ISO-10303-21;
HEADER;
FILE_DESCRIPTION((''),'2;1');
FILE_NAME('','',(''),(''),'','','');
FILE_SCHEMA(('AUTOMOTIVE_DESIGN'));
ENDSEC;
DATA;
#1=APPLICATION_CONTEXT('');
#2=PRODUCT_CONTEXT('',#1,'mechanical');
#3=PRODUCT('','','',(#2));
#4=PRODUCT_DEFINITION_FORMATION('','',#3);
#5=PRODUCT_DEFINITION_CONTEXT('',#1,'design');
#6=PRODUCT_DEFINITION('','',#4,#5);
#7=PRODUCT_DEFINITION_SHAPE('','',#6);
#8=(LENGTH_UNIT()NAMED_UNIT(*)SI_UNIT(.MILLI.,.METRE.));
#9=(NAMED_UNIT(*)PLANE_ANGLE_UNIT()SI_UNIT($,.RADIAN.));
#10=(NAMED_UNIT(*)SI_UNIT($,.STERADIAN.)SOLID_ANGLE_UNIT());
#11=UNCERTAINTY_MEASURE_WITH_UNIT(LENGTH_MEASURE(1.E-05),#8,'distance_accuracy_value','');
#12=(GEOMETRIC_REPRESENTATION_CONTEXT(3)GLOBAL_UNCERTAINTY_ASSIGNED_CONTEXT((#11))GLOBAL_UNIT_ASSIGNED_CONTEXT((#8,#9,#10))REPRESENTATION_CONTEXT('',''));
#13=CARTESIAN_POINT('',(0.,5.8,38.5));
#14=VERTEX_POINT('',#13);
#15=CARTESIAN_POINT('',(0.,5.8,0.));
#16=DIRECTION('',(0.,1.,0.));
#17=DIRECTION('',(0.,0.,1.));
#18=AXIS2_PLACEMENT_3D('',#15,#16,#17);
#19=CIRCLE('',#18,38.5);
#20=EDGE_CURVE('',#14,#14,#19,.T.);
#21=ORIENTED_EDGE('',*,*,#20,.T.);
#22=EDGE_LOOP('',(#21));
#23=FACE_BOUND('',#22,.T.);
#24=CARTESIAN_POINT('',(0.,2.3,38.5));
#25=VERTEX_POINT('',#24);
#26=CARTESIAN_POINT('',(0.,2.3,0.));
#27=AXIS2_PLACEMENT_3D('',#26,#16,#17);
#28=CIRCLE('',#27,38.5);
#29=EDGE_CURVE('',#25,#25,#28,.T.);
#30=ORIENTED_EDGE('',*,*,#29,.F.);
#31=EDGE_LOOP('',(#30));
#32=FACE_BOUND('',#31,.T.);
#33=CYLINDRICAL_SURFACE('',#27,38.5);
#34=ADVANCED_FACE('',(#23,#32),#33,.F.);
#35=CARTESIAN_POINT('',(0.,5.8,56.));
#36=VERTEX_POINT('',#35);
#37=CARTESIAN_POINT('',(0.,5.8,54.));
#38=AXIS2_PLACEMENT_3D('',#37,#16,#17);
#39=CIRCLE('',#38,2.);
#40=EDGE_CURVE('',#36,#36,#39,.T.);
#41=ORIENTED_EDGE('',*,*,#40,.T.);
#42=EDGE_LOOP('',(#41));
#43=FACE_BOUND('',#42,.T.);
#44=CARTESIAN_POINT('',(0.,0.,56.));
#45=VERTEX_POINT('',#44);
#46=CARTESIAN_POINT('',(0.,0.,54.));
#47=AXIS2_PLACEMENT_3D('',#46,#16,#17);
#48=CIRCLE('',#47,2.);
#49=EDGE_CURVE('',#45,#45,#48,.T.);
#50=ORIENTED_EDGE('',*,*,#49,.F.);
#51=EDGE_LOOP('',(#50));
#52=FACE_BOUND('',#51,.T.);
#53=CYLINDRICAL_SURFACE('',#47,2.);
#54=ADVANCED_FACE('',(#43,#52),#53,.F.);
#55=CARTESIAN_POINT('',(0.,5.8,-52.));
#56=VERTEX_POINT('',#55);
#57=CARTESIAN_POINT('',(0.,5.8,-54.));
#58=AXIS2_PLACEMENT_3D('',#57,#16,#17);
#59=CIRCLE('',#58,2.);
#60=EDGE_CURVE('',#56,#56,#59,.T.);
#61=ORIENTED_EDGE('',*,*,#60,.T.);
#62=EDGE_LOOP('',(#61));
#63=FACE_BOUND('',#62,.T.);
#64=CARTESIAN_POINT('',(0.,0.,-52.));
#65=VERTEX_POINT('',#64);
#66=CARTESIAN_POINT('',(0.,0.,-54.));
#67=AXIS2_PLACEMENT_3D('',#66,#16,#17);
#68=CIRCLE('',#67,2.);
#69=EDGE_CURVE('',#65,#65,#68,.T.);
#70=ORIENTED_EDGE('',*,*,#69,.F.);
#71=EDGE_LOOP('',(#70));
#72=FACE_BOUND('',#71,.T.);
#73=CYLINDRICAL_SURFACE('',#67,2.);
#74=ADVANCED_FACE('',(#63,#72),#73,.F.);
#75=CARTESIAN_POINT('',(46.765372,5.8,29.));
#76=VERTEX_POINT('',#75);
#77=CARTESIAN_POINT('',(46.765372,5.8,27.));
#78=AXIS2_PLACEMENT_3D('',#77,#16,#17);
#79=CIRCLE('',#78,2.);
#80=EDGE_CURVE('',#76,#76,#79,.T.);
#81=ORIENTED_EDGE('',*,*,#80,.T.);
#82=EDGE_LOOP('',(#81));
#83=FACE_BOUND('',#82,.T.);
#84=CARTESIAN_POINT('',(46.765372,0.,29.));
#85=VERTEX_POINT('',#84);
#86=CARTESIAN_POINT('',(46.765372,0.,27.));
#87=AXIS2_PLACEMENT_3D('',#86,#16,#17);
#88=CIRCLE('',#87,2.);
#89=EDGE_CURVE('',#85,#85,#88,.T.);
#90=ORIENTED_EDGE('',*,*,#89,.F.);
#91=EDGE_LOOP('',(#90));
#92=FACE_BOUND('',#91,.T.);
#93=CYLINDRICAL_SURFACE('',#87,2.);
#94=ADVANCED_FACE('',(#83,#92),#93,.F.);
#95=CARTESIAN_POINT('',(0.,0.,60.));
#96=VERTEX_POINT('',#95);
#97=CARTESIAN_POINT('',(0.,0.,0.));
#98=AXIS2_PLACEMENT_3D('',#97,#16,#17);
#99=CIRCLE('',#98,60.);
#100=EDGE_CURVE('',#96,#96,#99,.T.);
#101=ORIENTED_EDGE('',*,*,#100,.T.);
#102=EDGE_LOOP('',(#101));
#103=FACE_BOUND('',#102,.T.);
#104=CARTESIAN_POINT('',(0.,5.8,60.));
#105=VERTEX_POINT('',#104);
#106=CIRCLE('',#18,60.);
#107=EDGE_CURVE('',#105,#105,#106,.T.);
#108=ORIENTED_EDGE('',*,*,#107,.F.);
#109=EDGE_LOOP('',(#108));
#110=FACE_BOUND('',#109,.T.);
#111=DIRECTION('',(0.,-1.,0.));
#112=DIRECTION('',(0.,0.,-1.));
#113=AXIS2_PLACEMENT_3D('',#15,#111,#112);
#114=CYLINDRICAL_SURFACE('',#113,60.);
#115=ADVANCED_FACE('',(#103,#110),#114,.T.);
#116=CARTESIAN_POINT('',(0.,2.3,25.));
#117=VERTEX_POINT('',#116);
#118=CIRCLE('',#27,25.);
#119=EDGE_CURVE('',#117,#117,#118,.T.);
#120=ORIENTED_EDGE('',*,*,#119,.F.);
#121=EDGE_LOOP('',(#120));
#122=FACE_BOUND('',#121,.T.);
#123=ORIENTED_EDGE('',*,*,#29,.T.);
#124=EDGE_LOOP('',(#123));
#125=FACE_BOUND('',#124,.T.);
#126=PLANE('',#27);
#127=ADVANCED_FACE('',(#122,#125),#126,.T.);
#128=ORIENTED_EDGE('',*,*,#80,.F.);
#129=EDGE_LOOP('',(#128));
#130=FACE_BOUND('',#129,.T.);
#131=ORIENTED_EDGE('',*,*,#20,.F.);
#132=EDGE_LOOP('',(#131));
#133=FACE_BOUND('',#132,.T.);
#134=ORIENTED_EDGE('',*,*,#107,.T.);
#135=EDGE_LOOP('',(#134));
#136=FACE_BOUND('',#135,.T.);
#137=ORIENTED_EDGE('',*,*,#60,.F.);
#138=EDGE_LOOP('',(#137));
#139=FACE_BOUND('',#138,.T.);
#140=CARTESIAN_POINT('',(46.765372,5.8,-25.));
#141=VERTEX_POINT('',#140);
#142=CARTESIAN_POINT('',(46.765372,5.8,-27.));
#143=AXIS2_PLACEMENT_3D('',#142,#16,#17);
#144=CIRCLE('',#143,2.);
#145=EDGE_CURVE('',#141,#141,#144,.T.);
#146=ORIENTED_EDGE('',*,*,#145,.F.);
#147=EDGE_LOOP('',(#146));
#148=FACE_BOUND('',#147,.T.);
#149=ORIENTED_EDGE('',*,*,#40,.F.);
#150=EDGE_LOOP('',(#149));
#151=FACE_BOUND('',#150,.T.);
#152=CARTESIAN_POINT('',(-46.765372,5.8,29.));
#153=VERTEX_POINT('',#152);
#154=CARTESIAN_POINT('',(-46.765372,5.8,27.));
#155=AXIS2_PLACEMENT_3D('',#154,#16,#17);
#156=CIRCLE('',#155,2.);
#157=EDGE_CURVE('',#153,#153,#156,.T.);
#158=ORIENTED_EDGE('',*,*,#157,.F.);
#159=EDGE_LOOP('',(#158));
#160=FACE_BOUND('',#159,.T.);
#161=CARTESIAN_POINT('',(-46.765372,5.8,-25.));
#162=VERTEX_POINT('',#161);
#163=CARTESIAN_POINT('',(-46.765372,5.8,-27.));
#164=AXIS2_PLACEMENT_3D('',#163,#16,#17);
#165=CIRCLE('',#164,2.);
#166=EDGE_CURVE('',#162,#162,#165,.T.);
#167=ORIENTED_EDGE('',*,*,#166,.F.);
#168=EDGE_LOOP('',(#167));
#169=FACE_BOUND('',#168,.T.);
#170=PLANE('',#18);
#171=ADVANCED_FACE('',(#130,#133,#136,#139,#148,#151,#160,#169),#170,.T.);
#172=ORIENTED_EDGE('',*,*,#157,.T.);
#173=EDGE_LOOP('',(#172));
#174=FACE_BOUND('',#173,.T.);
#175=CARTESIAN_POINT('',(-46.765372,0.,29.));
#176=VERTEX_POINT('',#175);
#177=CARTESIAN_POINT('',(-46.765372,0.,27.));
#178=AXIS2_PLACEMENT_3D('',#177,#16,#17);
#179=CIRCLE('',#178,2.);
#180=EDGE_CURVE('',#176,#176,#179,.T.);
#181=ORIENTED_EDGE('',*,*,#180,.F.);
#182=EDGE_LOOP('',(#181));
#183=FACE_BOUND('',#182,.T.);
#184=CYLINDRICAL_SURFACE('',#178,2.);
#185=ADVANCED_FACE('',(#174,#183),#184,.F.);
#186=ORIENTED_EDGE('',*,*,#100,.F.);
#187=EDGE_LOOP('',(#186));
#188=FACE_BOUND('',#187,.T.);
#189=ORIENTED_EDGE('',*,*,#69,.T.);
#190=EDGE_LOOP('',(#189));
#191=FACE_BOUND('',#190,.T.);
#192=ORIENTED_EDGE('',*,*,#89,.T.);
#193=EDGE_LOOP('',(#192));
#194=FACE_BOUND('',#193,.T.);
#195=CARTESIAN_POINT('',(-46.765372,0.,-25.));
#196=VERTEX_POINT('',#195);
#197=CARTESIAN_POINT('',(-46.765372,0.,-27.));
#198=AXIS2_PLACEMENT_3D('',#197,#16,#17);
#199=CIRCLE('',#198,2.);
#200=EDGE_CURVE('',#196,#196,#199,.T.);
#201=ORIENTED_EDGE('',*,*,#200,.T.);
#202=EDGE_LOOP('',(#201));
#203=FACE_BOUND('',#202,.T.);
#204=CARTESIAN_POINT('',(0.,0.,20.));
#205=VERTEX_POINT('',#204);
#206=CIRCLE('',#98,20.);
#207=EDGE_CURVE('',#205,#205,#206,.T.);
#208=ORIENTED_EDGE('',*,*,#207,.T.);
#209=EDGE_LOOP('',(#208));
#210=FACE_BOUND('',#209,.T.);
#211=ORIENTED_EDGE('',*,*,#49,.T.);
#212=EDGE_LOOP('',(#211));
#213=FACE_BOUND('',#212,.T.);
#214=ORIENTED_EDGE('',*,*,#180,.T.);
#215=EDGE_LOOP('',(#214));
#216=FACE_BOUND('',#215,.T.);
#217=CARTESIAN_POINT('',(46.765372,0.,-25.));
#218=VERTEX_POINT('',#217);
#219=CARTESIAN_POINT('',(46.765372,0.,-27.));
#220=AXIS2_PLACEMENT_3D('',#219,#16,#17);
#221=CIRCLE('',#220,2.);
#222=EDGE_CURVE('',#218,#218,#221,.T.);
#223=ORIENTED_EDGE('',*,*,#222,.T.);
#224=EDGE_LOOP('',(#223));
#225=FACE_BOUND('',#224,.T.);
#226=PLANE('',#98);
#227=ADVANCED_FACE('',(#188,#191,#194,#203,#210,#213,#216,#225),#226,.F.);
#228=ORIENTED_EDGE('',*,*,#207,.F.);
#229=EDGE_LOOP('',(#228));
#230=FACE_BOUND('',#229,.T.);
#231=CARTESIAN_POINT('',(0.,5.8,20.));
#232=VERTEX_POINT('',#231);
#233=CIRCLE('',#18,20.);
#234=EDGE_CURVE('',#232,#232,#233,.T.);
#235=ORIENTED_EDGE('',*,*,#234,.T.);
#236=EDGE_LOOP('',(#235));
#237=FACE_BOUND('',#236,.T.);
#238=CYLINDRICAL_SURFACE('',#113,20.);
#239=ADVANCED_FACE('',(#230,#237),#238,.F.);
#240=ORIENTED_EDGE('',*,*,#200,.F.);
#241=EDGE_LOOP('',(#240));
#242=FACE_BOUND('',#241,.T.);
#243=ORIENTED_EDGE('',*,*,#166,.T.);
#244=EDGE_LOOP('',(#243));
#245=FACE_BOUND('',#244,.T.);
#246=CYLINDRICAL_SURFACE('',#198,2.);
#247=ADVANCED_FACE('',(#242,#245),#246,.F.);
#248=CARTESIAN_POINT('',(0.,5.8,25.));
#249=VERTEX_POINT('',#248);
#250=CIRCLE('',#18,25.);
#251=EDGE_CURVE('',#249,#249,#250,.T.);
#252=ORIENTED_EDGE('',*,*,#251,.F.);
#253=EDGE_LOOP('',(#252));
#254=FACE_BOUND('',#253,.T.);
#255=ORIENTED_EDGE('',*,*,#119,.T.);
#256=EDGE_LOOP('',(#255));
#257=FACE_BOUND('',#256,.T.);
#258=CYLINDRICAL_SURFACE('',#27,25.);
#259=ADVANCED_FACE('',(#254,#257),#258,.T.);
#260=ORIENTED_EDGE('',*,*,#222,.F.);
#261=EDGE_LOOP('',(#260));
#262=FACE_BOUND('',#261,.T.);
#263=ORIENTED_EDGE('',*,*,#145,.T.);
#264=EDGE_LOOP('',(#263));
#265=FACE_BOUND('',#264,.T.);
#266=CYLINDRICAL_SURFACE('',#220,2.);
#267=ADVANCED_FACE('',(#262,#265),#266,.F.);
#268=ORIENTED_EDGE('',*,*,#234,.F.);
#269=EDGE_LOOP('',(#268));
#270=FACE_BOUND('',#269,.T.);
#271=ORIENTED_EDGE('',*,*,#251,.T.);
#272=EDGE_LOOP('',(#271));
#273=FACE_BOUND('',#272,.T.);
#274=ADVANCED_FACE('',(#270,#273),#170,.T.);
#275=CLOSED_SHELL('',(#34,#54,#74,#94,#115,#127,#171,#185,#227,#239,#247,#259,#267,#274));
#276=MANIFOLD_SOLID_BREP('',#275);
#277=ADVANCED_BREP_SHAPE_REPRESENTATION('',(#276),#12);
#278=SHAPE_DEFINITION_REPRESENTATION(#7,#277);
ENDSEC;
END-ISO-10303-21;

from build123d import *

# Parameters (mm, degrees)
SKETCH1_R           = 60
SKETCH1_R_2         = 20
BOSS_EXTRUDE1_DEPTH = 5.8
SKETCH2_R           = 38.5
SKETCH2_R_2         = 25
CUT_EXTRUDE1_DEPTH  = 3.5
SKETCH3_R           = 2
CUT_EXTRUDE2_DEPTH  = 86.050808344


with BuildPart() as part:
    # Sketch1 → Boss-Extrude1 (new body)
    with BuildSketch(Plane(origin=(0, 0, 0), x_dir=(1, 0, 0), z_dir=(0, 1, 0))):
        with Locations(Location((0, 0, 0), (0, 0, 270))):
            Circle(SKETCH1_R)
        with Locations(Location((0, 0, 0), (0, 0, 270))):
            Circle(SKETCH1_R_2, mode=Mode.SUBTRACT)
    extrude(amount=BOSS_EXTRUDE1_DEPTH)

    # Sketch2 → Cut-Extrude1 (cut)
    with BuildSketch(Plane(origin=(0, 5.8, 0), x_dir=(1, 0, 0), z_dir=(0, 1, 0))):
        with Locations(Location((0, 0, 0), (0, 0, 270))):
            Circle(SKETCH2_R)
        with Locations(Location((0, 0, 0), (0, 0, 270))):
            Circle(SKETCH2_R_2, mode=Mode.SUBTRACT)
    extrude(amount=-CUT_EXTRUDE1_DEPTH, mode=Mode.SUBTRACT)

    # Sketch3 → Cut-Extrude2 (cut, through all)
    with BuildSketch(Plane(origin=(0, 5.8, 0), x_dir=(1, 0, 0), z_dir=(0, 1, 0))):
        with Locations(Location((0, 54, 0), (0, 0, 270))):
            Circle(SKETCH3_R)
        with Locations(Location((46.765371804, 27, 0), (0, 0, 270))):
            Circle(SKETCH3_R)
        with Locations(Location((46.765371804, -27, 0), (0, 0, 270))):
            Circle(SKETCH3_R)
        with Locations(Location((0, -54, 0), (0, 0, 270))):
            Circle(SKETCH3_R)
        with Locations(Location((-46.765371804, -27, 0), (0, 0, 270))):
            Circle(SKETCH3_R)
        with Locations(Location((-46.765371804, 27, 0), (0, 0, 270))):
            Circle(SKETCH3_R)
    extrude(amount=-CUT_EXTRUDE2_DEPTH, mode=Mode.SUBTRACT)


solid = part.part
